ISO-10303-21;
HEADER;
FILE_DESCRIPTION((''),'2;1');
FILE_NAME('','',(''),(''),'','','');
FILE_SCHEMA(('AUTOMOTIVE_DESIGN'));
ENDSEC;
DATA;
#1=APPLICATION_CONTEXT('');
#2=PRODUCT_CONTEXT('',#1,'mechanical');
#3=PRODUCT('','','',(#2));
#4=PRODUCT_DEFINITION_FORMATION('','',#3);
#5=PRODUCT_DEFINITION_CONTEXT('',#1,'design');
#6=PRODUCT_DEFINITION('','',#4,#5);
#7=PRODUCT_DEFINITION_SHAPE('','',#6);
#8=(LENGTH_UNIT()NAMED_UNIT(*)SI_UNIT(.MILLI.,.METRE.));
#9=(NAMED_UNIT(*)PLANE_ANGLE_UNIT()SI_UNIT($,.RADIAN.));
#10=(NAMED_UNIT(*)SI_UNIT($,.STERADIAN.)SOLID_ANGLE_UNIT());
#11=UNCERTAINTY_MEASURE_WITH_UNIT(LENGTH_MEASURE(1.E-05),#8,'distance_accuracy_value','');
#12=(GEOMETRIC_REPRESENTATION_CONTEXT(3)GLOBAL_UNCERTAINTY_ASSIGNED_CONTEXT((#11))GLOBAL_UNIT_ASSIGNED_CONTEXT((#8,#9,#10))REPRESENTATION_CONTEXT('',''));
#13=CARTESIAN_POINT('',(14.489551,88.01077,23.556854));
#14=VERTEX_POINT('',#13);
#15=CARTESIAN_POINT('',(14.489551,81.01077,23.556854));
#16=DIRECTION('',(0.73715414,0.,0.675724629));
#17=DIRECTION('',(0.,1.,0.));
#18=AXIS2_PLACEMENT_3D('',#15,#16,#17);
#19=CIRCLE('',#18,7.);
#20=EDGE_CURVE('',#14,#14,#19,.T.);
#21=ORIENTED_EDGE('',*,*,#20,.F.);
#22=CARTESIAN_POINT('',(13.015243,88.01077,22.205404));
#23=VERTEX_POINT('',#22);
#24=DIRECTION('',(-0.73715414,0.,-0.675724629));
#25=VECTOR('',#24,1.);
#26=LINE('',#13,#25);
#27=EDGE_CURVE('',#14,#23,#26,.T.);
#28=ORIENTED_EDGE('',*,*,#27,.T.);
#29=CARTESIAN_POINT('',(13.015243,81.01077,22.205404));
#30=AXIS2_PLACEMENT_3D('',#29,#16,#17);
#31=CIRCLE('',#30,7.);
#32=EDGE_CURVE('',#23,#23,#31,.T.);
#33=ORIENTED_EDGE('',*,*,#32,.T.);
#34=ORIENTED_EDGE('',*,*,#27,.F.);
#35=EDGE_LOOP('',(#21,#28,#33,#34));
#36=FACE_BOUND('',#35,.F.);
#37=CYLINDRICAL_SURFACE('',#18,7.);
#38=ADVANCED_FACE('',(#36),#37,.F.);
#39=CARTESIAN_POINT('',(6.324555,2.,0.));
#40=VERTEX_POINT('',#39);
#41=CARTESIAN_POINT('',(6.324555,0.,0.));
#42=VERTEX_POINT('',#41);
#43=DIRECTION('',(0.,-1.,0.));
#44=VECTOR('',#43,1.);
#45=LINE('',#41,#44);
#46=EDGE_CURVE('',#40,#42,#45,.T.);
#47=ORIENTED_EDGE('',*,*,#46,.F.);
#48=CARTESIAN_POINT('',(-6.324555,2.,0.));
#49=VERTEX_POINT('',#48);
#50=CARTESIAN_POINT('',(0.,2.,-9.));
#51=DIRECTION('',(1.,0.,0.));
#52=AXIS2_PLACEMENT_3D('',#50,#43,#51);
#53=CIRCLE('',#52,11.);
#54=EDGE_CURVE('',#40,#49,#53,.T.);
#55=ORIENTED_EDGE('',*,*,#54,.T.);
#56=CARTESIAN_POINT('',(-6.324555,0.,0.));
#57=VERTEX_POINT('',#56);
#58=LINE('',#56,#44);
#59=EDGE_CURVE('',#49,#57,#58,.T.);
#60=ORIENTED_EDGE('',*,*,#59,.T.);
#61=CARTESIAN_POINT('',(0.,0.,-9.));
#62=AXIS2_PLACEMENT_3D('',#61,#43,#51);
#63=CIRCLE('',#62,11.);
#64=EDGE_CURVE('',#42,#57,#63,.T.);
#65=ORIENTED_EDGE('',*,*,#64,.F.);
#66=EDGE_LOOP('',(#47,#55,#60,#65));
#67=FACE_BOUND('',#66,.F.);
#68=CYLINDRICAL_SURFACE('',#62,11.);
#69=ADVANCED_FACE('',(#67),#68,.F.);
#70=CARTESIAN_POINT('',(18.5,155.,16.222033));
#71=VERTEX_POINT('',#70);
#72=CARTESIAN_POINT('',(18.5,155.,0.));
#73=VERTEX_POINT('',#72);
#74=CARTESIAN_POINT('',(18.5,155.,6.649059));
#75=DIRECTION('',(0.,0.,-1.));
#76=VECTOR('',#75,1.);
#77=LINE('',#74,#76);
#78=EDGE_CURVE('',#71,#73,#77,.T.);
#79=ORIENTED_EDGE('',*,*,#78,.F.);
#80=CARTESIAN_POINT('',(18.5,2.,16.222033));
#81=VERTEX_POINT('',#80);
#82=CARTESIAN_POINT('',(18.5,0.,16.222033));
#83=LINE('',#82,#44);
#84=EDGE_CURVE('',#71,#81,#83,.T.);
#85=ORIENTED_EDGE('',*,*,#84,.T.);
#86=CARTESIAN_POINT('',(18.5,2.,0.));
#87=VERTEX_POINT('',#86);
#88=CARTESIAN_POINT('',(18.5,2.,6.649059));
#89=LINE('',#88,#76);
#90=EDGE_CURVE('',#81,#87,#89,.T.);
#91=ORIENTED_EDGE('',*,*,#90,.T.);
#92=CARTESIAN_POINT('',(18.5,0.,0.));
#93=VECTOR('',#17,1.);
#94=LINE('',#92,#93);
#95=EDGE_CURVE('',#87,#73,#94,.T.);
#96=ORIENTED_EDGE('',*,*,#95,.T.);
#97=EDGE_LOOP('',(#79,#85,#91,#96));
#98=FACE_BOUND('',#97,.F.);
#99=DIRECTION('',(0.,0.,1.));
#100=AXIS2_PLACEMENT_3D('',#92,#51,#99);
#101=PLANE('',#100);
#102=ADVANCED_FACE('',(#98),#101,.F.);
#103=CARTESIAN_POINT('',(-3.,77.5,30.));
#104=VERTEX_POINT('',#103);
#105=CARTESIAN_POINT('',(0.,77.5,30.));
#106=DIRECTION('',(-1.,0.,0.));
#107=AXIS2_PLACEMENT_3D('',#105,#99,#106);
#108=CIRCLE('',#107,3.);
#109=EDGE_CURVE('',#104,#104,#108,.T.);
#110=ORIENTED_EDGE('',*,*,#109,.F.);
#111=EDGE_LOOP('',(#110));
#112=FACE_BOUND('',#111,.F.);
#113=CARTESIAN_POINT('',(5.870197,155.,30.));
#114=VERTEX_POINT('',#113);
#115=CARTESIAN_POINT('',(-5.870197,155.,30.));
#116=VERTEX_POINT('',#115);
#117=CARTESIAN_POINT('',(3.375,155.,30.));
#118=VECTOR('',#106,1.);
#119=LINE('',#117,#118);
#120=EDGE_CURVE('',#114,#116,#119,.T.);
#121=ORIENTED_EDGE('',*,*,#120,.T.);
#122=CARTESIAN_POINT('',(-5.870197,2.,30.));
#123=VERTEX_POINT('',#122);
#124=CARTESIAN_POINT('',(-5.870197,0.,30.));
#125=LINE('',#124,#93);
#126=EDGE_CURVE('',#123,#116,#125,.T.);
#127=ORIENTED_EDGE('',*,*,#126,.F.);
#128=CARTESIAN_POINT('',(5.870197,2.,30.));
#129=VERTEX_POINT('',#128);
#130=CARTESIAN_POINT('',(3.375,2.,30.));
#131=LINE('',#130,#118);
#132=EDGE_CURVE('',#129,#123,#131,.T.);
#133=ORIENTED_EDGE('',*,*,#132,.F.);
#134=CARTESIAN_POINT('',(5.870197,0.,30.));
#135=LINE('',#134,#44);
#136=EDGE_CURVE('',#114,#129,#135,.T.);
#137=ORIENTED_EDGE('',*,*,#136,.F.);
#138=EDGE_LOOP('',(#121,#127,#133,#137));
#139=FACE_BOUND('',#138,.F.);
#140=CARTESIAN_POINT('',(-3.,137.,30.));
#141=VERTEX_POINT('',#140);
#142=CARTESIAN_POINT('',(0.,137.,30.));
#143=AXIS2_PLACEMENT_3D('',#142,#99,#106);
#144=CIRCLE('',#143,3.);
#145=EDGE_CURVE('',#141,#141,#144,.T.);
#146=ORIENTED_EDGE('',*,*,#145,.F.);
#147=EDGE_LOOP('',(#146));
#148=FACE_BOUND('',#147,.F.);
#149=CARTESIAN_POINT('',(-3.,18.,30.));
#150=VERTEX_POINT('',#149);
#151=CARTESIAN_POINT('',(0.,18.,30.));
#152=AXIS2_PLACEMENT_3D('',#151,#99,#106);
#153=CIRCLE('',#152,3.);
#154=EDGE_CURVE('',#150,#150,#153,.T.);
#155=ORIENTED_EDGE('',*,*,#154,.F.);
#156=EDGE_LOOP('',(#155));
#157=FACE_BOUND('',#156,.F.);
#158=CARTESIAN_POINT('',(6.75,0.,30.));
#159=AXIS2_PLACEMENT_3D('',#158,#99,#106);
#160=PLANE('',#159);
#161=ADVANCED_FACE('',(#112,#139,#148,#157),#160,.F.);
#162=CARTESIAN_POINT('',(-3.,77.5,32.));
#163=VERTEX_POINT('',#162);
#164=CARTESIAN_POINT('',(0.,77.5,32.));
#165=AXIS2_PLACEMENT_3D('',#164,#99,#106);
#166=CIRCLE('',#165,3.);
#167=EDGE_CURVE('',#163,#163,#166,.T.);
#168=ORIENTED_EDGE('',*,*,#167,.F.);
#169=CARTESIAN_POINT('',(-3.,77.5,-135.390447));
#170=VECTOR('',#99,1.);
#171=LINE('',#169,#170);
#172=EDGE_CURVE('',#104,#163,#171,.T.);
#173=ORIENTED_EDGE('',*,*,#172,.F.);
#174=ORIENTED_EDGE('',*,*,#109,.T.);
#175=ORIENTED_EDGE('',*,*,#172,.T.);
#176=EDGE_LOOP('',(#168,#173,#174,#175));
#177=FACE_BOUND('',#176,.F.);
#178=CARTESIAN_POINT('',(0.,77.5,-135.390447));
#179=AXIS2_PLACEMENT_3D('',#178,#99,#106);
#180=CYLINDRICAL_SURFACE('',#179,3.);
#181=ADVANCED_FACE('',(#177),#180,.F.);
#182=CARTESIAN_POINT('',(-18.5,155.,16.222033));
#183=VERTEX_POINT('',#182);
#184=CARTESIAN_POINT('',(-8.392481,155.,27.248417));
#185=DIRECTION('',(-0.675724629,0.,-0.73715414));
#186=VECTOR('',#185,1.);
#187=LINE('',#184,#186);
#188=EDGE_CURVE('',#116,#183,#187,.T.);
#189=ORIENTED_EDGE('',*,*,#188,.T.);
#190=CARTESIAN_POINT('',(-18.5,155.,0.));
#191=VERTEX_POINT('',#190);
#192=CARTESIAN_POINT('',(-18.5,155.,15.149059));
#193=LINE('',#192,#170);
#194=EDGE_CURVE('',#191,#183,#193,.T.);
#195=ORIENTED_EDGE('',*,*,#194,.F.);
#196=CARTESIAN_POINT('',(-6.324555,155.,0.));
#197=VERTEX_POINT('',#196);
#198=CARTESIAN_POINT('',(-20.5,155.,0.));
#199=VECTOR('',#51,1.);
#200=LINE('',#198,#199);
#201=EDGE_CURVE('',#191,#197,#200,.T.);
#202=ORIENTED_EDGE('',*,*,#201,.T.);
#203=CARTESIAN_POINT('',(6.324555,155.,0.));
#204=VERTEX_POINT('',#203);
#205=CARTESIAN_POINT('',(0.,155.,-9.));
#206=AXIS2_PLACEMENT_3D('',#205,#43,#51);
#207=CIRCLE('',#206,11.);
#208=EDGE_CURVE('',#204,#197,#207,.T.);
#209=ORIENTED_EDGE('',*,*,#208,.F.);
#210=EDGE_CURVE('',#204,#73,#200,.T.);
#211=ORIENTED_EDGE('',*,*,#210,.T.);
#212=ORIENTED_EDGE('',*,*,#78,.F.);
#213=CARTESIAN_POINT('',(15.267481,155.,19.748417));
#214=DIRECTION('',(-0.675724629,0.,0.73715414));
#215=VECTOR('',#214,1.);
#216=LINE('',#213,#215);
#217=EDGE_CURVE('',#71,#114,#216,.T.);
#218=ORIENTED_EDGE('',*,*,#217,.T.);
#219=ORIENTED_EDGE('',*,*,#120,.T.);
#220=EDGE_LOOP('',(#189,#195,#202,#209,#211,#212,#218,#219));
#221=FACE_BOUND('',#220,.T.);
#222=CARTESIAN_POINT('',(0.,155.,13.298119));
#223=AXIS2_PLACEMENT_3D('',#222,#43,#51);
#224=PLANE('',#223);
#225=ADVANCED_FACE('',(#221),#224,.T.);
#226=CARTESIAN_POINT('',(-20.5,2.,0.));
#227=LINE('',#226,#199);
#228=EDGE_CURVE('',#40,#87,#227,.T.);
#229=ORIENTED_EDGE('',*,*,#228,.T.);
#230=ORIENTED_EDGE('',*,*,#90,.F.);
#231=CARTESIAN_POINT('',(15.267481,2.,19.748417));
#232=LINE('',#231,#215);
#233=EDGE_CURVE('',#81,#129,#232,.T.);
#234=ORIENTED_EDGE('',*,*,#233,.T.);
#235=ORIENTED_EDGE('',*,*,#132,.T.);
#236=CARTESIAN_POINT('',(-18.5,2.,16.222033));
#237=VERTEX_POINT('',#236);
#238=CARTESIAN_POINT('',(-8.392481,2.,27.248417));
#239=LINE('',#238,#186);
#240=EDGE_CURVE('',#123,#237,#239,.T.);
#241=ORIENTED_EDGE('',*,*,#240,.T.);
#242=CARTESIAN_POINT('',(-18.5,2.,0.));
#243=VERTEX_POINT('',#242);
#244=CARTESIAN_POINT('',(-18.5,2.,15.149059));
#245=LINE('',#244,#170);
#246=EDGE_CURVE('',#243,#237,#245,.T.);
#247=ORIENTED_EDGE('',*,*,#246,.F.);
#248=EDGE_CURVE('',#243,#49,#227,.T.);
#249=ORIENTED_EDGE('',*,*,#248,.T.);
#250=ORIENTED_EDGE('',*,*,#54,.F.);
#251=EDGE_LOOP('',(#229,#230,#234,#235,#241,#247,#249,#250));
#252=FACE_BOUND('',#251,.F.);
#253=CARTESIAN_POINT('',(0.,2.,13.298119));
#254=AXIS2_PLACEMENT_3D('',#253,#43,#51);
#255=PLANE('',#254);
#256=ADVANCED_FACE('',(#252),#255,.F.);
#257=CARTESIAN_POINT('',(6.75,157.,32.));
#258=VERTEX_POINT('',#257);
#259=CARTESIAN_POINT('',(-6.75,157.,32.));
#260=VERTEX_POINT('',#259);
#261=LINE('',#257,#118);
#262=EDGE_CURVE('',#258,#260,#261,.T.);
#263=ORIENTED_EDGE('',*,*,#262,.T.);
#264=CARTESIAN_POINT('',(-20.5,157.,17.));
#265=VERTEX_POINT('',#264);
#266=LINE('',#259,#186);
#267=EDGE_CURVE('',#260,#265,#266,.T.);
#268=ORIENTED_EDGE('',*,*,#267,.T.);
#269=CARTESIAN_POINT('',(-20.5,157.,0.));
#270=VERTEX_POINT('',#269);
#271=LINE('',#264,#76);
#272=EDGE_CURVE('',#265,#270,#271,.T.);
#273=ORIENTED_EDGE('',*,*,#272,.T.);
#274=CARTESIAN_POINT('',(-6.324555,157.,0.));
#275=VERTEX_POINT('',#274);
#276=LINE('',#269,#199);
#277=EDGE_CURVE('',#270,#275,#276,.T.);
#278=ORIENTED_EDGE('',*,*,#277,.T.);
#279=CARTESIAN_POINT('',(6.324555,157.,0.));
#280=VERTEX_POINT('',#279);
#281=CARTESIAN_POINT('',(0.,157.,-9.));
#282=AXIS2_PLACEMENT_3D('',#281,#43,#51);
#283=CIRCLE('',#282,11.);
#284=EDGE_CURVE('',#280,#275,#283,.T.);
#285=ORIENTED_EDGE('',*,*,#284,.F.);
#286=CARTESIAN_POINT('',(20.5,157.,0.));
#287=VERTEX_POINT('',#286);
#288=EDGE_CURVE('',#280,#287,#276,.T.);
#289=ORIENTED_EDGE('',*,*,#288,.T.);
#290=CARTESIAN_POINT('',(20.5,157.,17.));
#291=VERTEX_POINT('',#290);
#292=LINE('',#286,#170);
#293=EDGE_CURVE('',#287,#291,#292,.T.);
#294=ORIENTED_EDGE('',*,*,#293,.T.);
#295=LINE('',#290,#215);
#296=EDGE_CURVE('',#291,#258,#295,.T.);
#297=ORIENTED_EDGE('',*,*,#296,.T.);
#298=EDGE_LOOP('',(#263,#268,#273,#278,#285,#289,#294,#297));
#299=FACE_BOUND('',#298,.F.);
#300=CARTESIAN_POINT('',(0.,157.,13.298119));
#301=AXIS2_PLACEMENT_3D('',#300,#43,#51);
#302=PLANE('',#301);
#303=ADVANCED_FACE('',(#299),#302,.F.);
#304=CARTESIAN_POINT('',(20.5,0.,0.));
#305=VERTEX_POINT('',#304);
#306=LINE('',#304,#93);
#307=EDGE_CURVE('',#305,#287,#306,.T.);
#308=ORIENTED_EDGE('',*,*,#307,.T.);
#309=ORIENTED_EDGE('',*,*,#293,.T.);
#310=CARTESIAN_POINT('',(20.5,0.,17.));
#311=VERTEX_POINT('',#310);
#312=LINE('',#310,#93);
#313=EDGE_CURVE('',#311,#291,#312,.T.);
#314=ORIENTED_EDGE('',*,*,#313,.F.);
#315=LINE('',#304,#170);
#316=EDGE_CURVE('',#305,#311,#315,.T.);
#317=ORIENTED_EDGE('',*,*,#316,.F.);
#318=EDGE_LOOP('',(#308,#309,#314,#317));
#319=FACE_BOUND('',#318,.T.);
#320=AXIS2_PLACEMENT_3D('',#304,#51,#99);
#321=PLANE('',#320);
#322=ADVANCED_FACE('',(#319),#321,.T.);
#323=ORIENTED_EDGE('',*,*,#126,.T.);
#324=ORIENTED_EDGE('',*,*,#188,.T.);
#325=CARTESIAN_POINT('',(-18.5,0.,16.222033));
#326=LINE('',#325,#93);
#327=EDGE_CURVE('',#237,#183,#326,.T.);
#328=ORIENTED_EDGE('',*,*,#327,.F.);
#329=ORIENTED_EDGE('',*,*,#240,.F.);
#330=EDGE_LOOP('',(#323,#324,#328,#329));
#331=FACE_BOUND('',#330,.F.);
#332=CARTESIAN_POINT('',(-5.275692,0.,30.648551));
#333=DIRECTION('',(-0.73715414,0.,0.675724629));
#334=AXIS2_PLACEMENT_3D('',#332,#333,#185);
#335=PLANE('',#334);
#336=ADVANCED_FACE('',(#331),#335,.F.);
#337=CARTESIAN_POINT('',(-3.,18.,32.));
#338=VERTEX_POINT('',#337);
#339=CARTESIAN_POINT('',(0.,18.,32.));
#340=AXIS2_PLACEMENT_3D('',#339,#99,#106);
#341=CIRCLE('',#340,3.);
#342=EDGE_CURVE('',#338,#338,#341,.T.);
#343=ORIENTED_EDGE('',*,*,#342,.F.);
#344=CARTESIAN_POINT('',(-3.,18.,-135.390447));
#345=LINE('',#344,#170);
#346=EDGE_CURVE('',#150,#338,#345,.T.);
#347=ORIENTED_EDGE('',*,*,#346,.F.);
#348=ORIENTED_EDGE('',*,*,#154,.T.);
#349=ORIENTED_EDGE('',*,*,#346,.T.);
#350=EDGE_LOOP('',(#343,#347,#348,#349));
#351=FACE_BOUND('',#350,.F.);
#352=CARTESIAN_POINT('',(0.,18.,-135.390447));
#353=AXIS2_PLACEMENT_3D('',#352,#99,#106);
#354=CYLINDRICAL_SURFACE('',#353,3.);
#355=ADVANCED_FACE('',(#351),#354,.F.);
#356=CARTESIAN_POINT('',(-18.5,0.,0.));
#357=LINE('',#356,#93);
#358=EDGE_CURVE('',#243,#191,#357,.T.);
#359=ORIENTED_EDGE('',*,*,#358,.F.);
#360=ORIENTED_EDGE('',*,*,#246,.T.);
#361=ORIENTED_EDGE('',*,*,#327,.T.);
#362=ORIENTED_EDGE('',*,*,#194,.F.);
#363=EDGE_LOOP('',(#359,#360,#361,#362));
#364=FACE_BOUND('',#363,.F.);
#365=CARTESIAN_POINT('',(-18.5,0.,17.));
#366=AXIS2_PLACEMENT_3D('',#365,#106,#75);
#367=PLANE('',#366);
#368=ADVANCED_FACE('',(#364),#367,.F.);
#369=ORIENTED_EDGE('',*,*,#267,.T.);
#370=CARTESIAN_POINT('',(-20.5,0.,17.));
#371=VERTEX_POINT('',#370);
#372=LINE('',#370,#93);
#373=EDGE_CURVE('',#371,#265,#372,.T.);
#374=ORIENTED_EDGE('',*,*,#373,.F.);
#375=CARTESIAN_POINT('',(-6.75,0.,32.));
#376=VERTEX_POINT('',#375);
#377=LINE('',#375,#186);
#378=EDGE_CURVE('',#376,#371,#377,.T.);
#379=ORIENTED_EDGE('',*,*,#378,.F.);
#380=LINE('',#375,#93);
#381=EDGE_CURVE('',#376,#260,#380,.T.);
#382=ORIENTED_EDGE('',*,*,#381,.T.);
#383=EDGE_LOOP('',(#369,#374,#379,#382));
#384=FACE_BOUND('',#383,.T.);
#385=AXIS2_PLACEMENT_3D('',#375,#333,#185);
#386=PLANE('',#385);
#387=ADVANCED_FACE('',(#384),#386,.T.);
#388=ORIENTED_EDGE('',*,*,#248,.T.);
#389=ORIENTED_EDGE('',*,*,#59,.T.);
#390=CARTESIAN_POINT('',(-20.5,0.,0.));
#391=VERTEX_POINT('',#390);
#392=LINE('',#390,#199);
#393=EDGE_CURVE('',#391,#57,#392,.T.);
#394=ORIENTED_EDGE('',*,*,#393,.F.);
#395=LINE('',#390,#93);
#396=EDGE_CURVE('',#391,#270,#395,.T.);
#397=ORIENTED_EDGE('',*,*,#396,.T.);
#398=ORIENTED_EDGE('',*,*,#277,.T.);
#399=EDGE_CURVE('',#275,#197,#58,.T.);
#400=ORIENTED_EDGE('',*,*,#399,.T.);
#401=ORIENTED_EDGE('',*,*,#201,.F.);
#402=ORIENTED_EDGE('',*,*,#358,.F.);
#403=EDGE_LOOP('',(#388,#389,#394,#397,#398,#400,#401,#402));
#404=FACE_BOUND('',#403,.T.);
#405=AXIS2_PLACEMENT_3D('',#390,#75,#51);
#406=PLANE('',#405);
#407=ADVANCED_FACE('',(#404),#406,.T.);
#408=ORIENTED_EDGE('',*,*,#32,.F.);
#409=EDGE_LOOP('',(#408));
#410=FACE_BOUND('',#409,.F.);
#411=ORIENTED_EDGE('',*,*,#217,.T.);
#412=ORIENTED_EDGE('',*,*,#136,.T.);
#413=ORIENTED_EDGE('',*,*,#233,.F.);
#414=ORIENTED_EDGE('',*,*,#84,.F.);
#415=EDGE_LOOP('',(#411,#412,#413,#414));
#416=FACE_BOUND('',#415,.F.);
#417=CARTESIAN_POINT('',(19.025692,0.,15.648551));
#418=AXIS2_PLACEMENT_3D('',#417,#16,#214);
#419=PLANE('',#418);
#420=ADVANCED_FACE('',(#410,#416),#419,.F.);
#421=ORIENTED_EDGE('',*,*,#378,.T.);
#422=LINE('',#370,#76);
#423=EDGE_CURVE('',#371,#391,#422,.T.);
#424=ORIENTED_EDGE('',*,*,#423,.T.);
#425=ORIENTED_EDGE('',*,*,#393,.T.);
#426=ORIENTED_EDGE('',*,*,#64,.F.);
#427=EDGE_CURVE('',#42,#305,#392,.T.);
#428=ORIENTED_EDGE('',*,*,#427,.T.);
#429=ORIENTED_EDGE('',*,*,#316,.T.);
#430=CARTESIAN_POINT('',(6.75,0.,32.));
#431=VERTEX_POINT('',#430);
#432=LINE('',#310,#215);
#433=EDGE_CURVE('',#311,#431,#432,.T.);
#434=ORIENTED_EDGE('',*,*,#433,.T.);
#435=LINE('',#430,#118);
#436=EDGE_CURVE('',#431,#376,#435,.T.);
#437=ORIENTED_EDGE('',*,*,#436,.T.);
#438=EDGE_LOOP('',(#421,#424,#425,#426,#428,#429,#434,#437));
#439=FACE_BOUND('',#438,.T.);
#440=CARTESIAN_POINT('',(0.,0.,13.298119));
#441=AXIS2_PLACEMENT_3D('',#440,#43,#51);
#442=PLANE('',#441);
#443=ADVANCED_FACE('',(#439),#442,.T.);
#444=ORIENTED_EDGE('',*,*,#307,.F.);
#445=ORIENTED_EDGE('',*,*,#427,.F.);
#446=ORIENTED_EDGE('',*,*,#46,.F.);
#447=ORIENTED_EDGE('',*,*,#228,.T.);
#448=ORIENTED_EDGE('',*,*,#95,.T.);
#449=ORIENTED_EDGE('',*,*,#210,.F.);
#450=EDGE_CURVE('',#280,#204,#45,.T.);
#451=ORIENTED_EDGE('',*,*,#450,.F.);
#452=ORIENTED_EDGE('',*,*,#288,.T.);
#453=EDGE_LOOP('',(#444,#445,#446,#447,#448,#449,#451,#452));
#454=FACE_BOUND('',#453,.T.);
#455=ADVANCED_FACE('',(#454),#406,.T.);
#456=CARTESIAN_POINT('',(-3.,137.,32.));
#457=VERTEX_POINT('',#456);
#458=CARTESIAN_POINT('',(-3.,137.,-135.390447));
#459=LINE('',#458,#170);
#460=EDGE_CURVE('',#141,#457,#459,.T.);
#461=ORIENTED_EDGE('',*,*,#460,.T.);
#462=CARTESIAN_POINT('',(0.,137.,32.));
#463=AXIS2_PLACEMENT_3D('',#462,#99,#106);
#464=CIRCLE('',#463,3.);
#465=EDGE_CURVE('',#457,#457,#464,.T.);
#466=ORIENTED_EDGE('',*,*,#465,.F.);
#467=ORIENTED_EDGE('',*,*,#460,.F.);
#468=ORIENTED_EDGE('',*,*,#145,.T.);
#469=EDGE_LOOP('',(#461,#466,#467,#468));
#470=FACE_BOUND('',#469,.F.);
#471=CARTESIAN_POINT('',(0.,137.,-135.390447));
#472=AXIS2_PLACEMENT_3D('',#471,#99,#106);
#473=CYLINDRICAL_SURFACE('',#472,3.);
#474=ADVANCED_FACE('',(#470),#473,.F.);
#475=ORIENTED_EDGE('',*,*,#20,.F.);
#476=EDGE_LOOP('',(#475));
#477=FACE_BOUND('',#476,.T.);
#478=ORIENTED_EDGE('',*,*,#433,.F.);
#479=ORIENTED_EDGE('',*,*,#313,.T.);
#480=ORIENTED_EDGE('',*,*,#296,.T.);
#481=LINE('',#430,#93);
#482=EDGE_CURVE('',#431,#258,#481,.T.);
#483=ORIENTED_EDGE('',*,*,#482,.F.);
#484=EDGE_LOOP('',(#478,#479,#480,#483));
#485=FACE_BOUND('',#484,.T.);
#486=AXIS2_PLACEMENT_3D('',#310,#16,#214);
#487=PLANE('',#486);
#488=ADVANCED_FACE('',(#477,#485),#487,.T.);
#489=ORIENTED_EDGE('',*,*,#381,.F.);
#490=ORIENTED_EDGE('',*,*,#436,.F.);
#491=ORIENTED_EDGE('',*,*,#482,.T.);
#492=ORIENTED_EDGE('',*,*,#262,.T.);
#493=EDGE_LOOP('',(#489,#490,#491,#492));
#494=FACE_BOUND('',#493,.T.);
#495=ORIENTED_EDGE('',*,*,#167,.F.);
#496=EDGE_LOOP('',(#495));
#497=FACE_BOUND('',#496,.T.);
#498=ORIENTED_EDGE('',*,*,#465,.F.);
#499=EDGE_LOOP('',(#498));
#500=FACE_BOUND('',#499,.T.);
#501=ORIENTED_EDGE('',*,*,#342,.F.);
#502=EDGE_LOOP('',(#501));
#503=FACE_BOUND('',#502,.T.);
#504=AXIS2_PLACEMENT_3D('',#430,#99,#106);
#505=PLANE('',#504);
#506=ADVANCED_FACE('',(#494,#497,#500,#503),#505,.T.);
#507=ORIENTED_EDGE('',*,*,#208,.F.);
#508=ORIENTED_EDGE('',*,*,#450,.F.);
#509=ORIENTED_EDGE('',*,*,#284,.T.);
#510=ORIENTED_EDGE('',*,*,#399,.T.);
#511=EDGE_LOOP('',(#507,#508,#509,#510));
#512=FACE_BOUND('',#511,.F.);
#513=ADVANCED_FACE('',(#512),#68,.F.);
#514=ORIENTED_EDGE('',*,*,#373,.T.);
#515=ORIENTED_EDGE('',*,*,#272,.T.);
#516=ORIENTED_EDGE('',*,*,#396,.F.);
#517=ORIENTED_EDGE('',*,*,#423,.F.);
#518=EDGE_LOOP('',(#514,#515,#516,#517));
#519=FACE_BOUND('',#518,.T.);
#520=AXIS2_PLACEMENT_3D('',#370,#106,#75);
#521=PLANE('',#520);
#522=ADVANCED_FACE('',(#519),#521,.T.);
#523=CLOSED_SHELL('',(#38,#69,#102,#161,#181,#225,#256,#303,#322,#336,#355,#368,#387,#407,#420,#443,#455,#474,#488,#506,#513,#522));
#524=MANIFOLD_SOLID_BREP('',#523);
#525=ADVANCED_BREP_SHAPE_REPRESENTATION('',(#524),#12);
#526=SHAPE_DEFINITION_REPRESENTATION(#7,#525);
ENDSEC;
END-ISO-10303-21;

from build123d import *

# Parameters (mm, degrees)
F1_DEPTH = 157
F2_T     = -2
F3_R     = 11
F4_DEPTH = 157
F6_D     = 6
F7_R     = 7
F8_DEPTH = 3


with BuildPart() as f1:
    # F0 (on Front) → F1 (new body)
    with BuildSketch(Plane.XZ):
        Polygon((-20.5, 17), (-20.5, 0), (0, 0), (20.5, 0), (20.5, 17), (6.75, 32), (0, 32), (-6.75, 32), align=None)
    extrude(amount=-F1_DEPTH)

    # F2
    f2_openings = [f1.faces().sort_by_distance(p)[0] for p in [
        (0, 78.5, 0),
    ]]
    offset(amount=F2_T, openings=f2_openings)

    # F3 (on Front) → F4 (cut)
    with BuildSketch(Plane.XZ):
        with Locations((0, -9)):
            Circle(F3_R)
    extrude(amount=-F4_DEPTH, mode=Mode.SUBTRACT)

    # F6 (through all)
    with Locations(Plane(origin=(0, 0, 30), x_dir=(1, 0, 0), z_dir=(0, 0, -1))):
        with Locations((0, -18), (0, -77.5), (0, -137)):
            Hole(F6_D / 2)

    # F7 (on face) → F8 (cut)
    with BuildSketch(Plane(origin=(19.6075471698, 0, 17.9735849057), x_dir=(0, 1, 0), z_dir=(0.7371541402, 0, 0.6757246285))):
        with Locations((81.0107703245, 7.5740857882)):
            Circle(F7_R)
    extrude(amount=-F8_DEPTH, mode=Mode.SUBTRACT)


solid = f1.part
